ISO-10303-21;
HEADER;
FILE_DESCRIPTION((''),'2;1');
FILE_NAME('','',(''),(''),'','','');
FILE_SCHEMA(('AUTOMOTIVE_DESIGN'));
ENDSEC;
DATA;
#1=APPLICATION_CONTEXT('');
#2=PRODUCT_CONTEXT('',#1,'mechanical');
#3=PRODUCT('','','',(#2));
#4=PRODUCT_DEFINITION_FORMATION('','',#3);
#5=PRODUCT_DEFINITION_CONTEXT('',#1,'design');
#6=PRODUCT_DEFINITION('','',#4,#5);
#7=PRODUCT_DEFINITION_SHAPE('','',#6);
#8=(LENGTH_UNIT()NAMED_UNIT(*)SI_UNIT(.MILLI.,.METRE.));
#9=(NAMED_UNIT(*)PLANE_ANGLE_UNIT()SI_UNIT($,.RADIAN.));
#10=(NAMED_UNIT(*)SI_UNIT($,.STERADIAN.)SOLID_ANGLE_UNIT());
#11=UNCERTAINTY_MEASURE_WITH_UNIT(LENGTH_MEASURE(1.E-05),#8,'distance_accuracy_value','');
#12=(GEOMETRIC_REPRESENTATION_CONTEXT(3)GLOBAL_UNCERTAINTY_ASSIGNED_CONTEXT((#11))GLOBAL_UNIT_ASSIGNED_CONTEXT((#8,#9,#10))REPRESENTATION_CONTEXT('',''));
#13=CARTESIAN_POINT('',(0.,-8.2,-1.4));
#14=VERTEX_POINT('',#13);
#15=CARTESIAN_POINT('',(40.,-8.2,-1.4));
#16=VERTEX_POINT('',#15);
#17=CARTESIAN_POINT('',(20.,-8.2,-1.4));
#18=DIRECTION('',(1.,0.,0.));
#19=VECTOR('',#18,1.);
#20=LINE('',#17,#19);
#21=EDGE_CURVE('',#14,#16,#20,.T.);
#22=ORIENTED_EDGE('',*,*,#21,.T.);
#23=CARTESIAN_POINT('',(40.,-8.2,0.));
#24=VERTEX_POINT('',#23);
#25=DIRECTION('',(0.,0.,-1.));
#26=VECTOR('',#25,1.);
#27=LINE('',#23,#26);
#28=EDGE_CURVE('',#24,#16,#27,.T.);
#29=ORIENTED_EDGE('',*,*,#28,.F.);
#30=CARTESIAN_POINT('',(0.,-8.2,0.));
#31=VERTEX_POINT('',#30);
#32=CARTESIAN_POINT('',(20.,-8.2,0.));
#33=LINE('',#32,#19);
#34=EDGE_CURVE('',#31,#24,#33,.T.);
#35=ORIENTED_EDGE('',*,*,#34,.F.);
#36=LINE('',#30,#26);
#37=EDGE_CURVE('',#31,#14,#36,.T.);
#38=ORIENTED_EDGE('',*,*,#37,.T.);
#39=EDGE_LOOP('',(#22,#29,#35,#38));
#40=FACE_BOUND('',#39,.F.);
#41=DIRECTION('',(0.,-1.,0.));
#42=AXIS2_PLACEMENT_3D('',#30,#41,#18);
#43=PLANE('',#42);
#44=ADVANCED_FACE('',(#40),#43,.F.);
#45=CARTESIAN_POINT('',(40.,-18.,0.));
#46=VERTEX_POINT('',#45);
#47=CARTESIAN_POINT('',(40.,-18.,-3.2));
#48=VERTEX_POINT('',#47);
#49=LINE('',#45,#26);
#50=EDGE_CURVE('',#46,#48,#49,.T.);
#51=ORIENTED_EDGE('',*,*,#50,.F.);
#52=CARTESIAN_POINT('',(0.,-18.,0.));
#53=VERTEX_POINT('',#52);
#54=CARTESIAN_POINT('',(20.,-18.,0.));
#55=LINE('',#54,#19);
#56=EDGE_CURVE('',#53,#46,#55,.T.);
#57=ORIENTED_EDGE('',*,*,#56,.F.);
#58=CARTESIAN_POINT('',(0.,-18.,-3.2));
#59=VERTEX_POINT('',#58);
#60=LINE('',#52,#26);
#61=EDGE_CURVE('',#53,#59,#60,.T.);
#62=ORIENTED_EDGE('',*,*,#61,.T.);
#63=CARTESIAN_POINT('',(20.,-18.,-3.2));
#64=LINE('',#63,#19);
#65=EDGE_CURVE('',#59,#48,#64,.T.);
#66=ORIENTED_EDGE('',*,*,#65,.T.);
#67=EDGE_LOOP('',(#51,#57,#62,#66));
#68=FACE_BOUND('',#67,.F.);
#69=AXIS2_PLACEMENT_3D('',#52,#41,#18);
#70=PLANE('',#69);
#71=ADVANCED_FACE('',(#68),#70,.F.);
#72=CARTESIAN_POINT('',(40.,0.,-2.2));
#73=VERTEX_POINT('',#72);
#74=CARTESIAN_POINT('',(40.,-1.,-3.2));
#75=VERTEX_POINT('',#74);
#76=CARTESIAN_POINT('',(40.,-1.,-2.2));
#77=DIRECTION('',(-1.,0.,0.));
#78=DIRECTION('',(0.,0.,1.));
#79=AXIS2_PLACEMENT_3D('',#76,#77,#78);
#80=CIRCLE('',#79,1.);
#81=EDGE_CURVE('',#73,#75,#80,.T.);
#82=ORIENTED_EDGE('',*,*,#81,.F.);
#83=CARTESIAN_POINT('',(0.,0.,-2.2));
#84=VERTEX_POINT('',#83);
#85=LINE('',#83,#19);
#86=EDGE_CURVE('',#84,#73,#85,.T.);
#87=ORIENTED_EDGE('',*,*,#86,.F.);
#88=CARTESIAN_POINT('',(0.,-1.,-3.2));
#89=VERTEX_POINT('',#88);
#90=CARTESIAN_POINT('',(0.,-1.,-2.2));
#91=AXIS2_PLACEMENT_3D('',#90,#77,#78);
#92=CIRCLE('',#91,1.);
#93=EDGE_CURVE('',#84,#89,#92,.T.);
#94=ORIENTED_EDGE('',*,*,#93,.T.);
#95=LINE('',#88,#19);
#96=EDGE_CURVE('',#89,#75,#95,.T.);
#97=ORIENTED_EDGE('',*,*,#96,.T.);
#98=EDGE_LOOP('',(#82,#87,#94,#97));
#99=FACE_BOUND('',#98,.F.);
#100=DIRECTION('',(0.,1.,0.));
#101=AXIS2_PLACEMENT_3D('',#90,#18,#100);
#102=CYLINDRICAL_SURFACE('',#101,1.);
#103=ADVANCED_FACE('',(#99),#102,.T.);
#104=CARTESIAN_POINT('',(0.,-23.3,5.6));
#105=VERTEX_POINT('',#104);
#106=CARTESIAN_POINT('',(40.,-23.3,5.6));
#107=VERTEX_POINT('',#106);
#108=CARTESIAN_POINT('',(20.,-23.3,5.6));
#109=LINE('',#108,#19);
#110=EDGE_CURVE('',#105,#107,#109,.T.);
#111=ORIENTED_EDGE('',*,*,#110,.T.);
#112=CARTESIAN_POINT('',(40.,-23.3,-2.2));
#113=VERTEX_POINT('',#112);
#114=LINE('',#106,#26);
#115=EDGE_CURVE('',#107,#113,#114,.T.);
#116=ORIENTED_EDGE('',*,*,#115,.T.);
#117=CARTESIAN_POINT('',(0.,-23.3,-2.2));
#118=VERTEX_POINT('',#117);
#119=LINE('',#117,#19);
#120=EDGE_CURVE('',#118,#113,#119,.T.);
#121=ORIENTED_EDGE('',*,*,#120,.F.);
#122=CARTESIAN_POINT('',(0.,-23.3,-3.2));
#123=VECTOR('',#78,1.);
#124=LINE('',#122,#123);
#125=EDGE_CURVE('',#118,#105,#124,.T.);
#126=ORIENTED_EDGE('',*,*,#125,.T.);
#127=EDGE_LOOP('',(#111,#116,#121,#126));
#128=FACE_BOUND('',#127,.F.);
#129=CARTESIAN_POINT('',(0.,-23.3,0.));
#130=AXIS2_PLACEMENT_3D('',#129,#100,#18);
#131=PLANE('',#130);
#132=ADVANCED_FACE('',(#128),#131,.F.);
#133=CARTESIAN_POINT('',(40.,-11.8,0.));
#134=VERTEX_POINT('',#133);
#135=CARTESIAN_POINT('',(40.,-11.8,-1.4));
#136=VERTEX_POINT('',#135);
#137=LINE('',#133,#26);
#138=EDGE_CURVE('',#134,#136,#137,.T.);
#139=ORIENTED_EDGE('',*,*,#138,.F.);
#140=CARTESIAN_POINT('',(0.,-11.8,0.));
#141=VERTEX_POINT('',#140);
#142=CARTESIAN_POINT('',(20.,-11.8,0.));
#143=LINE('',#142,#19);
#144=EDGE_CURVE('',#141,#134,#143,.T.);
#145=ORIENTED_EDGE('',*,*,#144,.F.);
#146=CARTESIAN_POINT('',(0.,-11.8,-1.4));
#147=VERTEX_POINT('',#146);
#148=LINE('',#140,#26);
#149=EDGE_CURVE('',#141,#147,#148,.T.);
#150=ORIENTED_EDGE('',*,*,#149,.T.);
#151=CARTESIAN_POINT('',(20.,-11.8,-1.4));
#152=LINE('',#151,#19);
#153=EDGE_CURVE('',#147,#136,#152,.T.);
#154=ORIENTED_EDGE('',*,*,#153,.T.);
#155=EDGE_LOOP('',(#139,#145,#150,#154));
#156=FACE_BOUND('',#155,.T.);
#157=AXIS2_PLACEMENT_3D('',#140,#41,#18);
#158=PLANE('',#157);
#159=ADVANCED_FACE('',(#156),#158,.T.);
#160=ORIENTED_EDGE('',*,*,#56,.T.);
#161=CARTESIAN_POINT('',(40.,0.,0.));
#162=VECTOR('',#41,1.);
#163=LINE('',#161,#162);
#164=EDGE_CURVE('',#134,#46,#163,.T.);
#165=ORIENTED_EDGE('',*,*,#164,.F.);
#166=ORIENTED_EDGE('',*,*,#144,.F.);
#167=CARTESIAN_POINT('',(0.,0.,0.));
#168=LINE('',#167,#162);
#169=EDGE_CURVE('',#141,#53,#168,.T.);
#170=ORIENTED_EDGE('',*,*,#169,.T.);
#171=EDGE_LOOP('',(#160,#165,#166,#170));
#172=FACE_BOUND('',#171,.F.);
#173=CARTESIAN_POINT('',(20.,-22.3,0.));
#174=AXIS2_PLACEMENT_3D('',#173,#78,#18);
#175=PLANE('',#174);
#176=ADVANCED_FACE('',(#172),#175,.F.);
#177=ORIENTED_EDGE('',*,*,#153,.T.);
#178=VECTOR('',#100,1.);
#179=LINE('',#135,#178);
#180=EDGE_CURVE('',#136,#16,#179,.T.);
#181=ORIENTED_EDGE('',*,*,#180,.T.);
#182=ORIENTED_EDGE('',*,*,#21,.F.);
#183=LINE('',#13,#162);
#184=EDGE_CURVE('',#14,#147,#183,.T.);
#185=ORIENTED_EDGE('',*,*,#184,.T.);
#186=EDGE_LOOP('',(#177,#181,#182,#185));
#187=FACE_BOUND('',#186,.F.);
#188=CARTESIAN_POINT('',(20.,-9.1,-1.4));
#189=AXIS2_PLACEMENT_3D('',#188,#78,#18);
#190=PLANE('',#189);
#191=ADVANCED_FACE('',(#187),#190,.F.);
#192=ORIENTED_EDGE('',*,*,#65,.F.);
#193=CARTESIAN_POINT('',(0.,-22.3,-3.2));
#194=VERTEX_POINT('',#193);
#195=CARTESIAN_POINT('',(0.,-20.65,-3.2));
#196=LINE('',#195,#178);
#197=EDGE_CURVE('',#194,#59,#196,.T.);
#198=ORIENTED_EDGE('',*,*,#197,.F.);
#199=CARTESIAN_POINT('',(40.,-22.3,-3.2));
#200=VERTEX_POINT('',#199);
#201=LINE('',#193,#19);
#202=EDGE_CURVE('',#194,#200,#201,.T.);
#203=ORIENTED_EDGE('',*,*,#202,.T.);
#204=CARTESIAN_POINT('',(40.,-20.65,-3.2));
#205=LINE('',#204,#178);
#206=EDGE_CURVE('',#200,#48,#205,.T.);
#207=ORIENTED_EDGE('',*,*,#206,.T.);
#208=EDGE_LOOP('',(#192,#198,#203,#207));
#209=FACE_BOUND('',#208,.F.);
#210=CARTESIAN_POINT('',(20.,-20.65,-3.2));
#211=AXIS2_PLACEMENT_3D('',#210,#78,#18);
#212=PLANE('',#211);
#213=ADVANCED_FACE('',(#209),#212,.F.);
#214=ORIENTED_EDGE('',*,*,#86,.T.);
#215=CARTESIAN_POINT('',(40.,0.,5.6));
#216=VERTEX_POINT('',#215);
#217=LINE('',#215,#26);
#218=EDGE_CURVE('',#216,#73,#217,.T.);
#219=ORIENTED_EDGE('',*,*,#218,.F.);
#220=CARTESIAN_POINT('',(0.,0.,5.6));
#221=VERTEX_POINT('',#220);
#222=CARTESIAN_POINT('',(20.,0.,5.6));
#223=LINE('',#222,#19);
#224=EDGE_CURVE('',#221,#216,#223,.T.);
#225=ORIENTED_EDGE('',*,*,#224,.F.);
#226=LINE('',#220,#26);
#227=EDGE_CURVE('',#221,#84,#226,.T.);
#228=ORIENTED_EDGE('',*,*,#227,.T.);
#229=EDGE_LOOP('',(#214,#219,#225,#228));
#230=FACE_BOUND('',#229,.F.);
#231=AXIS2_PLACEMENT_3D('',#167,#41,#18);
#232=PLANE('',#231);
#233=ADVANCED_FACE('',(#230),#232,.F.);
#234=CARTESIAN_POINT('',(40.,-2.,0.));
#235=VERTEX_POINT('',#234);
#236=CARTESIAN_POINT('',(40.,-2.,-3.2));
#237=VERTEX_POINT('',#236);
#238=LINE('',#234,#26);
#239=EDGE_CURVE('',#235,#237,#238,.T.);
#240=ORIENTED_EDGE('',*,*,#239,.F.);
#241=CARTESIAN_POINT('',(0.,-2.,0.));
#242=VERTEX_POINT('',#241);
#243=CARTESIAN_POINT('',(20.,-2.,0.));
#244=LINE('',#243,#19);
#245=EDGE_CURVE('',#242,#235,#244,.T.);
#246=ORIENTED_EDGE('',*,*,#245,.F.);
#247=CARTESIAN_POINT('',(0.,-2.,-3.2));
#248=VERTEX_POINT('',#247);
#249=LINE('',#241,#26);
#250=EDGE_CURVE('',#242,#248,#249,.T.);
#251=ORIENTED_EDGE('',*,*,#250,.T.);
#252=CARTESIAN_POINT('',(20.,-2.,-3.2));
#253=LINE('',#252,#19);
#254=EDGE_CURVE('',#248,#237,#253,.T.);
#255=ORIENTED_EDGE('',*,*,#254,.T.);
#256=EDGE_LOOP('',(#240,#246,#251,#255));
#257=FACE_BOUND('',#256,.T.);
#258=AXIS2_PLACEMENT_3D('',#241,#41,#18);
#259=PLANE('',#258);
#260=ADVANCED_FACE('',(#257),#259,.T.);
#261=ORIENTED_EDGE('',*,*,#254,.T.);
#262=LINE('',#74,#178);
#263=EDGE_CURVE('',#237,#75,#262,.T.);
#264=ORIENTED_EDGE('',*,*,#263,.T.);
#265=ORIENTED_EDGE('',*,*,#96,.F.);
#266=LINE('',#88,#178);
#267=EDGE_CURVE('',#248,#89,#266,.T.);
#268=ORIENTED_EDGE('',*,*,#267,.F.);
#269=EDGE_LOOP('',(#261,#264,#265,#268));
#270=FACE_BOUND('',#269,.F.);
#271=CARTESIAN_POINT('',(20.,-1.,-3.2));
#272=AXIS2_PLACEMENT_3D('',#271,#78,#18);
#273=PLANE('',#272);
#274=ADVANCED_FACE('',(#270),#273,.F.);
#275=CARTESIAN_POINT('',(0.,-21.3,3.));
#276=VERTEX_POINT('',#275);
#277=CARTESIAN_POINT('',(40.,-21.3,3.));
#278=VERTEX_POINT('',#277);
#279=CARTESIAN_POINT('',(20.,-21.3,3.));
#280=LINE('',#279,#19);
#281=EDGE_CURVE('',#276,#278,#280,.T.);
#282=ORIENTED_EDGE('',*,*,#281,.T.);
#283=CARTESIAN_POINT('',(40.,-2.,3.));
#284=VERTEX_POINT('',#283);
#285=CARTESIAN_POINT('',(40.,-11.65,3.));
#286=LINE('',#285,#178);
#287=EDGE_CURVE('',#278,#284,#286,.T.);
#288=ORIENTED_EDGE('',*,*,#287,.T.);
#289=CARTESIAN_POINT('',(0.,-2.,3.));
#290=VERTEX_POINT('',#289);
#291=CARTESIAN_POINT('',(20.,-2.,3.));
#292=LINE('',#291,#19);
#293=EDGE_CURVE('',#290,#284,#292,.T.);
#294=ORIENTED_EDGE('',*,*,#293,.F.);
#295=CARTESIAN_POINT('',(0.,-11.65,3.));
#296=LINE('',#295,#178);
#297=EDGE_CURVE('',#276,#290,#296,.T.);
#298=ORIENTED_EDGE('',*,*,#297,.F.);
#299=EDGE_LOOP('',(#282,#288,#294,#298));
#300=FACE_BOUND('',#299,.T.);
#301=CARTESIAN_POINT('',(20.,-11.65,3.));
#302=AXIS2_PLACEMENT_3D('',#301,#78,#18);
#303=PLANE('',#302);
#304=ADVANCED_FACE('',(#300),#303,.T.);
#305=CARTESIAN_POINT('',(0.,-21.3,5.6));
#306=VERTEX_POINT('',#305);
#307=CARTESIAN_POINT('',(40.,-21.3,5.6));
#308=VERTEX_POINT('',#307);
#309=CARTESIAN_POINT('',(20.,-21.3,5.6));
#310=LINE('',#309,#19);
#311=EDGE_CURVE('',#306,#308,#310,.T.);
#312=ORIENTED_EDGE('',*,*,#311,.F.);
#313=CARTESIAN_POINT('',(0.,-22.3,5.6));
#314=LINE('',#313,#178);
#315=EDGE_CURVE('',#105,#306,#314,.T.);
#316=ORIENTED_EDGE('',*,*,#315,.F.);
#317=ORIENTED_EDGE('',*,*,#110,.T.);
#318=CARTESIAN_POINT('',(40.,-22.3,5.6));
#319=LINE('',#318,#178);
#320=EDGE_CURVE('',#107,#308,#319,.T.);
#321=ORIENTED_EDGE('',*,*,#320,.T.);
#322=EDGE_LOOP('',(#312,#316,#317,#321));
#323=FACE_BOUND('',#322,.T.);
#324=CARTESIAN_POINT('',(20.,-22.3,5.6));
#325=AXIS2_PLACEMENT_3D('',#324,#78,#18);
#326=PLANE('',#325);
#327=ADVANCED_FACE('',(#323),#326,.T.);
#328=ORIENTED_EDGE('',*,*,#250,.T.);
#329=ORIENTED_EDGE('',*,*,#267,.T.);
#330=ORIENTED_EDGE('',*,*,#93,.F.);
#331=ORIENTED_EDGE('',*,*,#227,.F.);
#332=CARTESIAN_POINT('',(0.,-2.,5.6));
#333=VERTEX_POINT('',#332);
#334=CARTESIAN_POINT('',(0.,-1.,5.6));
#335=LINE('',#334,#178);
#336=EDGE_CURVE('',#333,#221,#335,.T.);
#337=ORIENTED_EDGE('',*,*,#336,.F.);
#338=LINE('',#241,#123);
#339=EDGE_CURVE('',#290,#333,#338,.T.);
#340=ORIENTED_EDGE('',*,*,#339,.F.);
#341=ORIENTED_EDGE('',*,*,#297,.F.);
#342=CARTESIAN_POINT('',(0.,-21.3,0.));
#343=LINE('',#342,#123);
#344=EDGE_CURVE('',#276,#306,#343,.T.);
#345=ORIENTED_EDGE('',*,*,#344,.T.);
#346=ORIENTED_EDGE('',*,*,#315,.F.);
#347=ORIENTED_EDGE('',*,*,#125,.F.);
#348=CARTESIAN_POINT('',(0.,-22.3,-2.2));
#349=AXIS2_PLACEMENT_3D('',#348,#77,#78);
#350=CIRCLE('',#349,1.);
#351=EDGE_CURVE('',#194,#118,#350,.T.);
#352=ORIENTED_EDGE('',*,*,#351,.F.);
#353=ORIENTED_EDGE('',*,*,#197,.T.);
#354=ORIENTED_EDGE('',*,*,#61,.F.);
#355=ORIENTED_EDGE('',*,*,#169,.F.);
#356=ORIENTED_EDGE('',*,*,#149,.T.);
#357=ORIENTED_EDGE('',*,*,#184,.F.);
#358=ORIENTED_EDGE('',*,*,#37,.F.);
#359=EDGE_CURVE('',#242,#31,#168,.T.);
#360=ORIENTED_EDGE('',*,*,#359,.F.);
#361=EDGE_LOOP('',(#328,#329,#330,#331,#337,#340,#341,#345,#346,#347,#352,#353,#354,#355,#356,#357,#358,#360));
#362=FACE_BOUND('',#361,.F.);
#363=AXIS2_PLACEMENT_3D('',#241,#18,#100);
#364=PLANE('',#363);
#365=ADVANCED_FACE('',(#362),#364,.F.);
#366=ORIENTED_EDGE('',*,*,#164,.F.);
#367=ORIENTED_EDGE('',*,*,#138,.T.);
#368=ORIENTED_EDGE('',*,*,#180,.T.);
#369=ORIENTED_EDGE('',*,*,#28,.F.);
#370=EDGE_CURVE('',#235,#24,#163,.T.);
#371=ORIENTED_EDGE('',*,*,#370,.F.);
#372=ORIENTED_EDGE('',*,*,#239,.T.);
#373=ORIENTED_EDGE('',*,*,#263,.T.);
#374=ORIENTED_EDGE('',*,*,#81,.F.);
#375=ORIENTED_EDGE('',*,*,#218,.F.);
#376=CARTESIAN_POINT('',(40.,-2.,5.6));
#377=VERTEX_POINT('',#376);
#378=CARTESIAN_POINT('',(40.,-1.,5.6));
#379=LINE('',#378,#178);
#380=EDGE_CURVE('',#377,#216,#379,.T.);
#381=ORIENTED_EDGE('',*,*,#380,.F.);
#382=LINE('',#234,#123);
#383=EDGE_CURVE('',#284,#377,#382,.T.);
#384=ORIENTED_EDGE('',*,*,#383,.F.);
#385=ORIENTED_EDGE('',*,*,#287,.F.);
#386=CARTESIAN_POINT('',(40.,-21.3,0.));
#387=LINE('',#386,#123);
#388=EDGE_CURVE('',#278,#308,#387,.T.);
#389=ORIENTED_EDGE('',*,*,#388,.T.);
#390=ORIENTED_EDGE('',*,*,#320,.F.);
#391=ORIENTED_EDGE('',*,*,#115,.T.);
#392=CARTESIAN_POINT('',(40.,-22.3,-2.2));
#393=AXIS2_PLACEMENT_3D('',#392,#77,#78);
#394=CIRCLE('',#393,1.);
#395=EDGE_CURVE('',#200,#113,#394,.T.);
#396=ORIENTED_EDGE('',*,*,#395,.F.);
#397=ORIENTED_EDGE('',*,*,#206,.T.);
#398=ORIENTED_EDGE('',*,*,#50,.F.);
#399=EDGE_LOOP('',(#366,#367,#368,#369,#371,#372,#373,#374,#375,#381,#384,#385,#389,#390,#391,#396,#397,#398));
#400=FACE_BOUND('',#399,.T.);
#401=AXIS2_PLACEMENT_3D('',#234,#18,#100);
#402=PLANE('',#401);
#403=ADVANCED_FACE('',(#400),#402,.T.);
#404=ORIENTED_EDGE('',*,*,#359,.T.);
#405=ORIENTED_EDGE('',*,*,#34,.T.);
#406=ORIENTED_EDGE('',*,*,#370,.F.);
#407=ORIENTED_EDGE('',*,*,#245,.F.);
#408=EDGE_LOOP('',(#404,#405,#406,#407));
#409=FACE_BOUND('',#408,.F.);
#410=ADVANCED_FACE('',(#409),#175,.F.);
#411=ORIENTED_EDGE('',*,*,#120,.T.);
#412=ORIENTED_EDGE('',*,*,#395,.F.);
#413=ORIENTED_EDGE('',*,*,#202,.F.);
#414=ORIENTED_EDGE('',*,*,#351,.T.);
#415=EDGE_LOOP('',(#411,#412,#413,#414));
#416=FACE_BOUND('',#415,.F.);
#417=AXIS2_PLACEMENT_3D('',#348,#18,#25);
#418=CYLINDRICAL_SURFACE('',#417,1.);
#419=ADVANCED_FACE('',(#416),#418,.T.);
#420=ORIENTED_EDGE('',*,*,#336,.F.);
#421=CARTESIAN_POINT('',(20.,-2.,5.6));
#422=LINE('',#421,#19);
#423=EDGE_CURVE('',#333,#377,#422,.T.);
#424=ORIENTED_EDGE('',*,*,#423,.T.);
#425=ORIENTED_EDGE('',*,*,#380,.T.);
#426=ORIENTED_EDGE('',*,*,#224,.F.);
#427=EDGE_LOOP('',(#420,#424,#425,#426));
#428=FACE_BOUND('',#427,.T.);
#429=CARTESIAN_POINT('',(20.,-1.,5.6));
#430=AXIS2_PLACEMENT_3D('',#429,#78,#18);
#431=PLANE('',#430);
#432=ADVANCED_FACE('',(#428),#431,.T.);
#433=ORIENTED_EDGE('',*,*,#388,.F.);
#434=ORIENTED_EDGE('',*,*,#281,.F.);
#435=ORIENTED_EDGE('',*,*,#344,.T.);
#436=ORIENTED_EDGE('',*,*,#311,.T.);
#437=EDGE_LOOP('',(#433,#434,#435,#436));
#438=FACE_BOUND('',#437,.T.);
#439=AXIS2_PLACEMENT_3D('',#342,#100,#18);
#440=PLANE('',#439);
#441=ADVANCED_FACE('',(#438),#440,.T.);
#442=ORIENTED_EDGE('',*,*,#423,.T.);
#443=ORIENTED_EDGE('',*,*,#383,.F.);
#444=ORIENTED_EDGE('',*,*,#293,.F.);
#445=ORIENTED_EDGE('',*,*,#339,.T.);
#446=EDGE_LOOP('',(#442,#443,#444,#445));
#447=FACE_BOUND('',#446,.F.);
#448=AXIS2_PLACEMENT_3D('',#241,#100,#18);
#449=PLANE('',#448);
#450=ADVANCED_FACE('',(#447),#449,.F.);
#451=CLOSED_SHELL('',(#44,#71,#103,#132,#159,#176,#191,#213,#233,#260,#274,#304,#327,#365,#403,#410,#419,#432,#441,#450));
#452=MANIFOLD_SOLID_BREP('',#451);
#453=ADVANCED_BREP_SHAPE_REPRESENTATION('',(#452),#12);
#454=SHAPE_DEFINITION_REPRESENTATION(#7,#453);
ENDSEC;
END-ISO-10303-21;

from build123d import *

# Parameters (mm, degrees)
F0_W     = 40
F0_H     = 19.3
F1_DEPTH = 3
F0_H_2   = 2
F2_DEPTH = 5.6
F3_W     = 40
F3_H     = 5.3
F4_DEPTH = 3.2
F5_R     = 1
F3_H_2   = 1.8
F6_DEPTH = 1.4


with BuildPart() as f1:
    # F0 (on Top) → F1 (new body)
    with BuildSketch(Plane.XY):
        with Locations((20, -11.65)):
            Rectangle(F0_W, F0_H)
    extrude(amount=F1_DEPTH)

    # F0 (on Top) → F2 (join)
    with BuildSketch(Plane.XY):
        with Locations((20, -22.3)):
            Rectangle(F0_W, F0_H_2)
        with Locations((20, -1)):
            Rectangle(F0_W, F0_H_2)
    extrude(amount=F2_DEPTH)

    # F0 (on Top) + F3 (on Top) → F4 (join)
    with BuildSketch(Plane.XY):
        with Locations((20, -1)):
            Rectangle(F0_W, F0_H_2)
    with BuildSketch(Plane.XY):
        with Locations((20, -20.65)):
            Rectangle(F3_W, F3_H)
    extrude(amount=-F4_DEPTH)

    # F5
    f5_edges = [f1.edges().sort_by_distance(p)[0] for p in [
        (20, -23.3, -3.2),
        (20, 0, -3.2),
    ]]
    fillet(f5_edges, radius=F5_R)

    # F3 (on Top) → F6 (join)
    with BuildSketch(Plane.XY):
        with Locations((20, -9.1)):
            Rectangle(F3_W, F3_H_2)
        with Locations((20, -10.9)):
            Rectangle(F3_W, F3_H_2)
    extrude(amount=-F6_DEPTH)


solid = f1.part
